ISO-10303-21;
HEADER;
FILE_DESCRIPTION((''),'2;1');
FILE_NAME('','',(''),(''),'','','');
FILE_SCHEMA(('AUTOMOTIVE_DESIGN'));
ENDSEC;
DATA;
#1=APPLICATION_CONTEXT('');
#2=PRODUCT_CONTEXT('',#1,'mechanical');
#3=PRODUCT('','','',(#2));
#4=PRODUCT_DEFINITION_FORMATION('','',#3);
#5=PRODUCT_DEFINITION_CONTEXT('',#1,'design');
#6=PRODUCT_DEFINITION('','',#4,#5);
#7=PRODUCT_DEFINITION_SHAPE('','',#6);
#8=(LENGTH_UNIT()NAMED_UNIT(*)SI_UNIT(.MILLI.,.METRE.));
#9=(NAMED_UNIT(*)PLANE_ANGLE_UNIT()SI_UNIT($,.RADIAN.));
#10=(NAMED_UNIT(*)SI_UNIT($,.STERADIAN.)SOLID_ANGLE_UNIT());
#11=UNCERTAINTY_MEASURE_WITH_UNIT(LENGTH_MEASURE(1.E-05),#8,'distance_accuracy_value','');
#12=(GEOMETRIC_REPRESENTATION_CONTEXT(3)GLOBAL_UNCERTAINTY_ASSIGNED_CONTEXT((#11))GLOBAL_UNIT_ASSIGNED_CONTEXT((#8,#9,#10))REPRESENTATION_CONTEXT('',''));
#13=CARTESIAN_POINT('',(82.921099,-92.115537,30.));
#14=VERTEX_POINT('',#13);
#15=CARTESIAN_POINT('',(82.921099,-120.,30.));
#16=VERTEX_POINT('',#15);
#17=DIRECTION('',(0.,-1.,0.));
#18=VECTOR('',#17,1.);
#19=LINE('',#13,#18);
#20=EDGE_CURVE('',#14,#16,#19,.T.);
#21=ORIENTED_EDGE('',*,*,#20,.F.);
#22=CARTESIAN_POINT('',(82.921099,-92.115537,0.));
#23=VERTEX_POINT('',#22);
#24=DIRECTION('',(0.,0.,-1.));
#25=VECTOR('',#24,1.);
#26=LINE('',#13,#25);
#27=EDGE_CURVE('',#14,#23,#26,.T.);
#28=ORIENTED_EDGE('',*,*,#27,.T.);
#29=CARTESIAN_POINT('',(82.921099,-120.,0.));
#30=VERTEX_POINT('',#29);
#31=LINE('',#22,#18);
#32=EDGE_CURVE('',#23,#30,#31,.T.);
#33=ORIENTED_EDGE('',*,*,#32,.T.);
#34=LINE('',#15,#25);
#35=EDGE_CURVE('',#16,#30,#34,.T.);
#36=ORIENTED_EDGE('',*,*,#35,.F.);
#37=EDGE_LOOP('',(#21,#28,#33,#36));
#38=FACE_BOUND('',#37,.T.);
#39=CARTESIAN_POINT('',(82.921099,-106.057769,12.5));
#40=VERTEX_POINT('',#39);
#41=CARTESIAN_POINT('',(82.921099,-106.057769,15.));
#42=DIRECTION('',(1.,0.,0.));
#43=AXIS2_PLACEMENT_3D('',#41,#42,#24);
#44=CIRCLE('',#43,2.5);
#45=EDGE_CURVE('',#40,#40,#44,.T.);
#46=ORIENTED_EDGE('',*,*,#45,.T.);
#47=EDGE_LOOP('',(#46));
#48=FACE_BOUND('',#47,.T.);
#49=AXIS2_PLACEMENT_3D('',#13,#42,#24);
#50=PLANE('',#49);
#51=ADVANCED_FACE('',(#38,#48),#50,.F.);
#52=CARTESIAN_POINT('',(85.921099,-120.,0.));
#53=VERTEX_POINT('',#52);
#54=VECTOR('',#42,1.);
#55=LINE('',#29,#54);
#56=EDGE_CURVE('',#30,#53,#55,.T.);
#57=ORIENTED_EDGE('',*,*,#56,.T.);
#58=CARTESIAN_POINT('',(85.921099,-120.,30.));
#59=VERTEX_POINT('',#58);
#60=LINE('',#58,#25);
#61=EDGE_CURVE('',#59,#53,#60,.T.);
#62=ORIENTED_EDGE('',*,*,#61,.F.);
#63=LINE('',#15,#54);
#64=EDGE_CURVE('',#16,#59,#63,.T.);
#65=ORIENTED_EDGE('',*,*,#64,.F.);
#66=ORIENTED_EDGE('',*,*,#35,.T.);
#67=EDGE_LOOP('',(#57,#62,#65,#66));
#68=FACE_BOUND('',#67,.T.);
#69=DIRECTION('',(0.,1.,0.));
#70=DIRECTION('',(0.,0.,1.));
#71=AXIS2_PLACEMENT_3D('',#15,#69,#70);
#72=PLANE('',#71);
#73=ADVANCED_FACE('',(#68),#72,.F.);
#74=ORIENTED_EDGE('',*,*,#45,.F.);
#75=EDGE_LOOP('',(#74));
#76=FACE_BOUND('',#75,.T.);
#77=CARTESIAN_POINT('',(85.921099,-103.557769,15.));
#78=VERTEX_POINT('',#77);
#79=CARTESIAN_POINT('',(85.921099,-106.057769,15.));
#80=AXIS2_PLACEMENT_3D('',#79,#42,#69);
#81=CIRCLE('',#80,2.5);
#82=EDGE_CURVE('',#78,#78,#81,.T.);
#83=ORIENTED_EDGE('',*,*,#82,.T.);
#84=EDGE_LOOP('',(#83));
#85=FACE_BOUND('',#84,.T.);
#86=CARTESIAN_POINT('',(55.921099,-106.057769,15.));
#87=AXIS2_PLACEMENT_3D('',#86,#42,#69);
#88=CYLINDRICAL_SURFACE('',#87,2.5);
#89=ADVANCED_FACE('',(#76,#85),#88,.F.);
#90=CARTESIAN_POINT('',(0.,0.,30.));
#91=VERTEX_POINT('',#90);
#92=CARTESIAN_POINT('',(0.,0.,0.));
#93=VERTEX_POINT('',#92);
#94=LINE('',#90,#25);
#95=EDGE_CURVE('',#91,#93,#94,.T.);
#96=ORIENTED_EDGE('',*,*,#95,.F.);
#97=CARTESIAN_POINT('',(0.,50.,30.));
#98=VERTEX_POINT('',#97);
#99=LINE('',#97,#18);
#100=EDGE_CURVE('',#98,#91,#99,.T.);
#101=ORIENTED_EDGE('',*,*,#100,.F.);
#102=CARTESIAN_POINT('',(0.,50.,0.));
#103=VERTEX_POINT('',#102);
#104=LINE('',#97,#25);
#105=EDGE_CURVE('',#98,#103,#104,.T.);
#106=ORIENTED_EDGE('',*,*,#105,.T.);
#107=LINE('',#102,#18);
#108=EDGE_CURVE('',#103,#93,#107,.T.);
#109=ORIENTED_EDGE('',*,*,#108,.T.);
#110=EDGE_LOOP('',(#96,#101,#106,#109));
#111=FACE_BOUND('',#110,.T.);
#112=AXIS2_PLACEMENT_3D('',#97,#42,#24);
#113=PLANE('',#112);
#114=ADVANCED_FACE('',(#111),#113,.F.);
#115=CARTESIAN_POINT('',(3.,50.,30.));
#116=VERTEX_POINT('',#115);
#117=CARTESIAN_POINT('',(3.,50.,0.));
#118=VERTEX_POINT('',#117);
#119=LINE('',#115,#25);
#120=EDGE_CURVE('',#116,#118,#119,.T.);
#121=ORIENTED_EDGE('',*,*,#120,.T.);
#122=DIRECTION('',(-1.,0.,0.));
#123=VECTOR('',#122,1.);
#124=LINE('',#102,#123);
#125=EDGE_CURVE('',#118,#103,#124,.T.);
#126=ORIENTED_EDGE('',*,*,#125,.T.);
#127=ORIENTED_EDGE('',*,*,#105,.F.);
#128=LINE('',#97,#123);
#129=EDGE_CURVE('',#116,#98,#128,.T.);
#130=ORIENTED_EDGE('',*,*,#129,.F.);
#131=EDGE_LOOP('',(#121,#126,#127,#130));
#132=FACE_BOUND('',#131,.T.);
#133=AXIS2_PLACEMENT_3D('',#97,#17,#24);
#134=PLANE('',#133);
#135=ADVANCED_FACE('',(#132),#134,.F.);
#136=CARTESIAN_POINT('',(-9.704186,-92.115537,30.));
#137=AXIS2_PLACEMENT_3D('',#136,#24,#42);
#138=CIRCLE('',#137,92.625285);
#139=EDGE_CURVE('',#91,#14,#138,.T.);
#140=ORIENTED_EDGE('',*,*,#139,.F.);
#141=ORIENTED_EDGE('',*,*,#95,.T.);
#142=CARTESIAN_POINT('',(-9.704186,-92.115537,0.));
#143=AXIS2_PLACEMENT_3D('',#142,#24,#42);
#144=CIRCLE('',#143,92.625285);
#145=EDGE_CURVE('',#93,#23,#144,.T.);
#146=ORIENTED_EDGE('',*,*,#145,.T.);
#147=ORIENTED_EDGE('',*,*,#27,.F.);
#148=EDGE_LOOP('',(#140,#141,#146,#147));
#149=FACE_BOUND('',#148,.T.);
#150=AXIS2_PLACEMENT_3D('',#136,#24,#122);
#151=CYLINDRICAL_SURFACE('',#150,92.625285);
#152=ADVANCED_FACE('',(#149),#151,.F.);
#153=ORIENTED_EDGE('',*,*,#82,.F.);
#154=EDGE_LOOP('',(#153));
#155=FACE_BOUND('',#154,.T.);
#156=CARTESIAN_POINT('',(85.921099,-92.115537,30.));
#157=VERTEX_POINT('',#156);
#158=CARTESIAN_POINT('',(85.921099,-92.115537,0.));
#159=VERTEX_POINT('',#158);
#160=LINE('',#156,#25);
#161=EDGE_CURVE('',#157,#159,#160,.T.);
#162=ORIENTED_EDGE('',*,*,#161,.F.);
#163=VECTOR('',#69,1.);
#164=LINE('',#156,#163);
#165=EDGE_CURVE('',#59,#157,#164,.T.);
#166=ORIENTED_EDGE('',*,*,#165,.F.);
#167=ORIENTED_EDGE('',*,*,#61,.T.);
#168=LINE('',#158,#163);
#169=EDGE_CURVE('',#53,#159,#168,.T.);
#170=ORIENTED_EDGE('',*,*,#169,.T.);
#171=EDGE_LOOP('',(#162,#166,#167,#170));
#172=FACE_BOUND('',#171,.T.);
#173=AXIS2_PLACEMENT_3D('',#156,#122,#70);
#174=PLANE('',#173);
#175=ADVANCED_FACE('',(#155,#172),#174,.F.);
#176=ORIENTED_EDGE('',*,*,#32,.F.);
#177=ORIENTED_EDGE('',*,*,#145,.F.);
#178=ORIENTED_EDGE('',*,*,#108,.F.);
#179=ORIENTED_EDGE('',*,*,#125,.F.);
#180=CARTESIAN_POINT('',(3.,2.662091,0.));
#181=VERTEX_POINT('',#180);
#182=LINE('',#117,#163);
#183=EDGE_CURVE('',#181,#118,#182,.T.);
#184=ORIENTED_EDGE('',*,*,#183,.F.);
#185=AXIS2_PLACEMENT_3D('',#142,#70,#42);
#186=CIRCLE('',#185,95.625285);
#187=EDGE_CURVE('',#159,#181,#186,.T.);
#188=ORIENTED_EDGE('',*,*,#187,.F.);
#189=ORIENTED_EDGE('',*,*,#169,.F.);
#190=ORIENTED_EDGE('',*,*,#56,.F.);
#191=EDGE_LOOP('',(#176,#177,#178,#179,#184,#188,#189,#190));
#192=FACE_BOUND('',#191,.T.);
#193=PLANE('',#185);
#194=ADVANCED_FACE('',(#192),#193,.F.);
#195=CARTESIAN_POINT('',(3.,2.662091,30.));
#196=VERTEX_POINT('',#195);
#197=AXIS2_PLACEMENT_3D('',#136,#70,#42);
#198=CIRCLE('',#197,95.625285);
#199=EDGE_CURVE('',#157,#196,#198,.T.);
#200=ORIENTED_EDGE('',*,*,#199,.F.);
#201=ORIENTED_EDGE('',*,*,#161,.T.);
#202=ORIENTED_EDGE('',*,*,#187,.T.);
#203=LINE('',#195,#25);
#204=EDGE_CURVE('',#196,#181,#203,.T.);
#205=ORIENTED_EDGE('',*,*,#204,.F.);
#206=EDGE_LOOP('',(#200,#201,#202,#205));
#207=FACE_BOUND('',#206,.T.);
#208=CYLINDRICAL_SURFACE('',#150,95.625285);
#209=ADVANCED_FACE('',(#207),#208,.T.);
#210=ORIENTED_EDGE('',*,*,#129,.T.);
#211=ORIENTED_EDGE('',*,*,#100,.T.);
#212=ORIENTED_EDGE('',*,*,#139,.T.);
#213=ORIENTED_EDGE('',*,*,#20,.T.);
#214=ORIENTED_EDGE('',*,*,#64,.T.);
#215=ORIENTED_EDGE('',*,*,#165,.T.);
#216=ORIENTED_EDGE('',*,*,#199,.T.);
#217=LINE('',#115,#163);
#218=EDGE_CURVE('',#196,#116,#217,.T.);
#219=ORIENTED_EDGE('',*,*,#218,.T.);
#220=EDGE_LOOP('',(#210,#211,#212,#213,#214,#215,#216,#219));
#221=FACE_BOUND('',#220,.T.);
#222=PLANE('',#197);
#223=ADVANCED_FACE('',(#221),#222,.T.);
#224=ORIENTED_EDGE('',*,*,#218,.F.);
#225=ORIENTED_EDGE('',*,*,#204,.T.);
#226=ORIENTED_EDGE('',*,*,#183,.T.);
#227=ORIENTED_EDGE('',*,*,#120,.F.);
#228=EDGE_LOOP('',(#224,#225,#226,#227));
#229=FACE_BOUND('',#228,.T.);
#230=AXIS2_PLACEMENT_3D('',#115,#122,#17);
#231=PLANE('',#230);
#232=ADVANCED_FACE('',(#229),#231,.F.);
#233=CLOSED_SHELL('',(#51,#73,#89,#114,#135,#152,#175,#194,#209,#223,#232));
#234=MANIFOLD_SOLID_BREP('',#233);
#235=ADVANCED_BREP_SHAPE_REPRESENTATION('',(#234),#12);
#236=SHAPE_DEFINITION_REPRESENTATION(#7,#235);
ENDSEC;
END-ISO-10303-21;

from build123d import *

# Parameters (mm, degrees)
BOSS_EXTRUDE1_DEPTH = 30
SKETCH2_R           = 2.5
CUT_EXTRUDE1_DEPTH  = 30


with BuildPart() as part:
    # Sketch1 → Boss-Extrude1 (new body)
    with BuildSketch(Plane.XY):
        with BuildLine():
            Line((0, 50), (0, 0))
            ThreePointArc((0, 0), (59.137285401, -30.145421821), (82.921098745, -92.115537233))
            Line((82.921098745, -92.115537233), (82.921098745, -120))
            Line((82.921098745, -120), (85.921098745, -120))
            Line((85.921098745, -120), (85.921098745, -92.115537233))
            ThreePointArc((85.921098745, -92.115537233), (62.264683971, -29.149857277), (3, 2.662090888))
            Line((3, 2.662090888), (3, 50))
            Line((3, 50), (0, 50))
        make_face()
    extrude(amount=BOSS_EXTRUDE1_DEPTH)

    # Sketch2 → Cut-Extrude1 (cut)
    with BuildSketch(Plane(origin=(85.921098745, 0, 0), x_dir=(0, 0, -1), z_dir=(1, 0, 0))):
        with Locations(Location((-15, -106.057768617, 0), (0, 0, 90))):
            Circle(SKETCH2_R)
    extrude(amount=-CUT_EXTRUDE1_DEPTH, mode=Mode.SUBTRACT)


solid = part.part
